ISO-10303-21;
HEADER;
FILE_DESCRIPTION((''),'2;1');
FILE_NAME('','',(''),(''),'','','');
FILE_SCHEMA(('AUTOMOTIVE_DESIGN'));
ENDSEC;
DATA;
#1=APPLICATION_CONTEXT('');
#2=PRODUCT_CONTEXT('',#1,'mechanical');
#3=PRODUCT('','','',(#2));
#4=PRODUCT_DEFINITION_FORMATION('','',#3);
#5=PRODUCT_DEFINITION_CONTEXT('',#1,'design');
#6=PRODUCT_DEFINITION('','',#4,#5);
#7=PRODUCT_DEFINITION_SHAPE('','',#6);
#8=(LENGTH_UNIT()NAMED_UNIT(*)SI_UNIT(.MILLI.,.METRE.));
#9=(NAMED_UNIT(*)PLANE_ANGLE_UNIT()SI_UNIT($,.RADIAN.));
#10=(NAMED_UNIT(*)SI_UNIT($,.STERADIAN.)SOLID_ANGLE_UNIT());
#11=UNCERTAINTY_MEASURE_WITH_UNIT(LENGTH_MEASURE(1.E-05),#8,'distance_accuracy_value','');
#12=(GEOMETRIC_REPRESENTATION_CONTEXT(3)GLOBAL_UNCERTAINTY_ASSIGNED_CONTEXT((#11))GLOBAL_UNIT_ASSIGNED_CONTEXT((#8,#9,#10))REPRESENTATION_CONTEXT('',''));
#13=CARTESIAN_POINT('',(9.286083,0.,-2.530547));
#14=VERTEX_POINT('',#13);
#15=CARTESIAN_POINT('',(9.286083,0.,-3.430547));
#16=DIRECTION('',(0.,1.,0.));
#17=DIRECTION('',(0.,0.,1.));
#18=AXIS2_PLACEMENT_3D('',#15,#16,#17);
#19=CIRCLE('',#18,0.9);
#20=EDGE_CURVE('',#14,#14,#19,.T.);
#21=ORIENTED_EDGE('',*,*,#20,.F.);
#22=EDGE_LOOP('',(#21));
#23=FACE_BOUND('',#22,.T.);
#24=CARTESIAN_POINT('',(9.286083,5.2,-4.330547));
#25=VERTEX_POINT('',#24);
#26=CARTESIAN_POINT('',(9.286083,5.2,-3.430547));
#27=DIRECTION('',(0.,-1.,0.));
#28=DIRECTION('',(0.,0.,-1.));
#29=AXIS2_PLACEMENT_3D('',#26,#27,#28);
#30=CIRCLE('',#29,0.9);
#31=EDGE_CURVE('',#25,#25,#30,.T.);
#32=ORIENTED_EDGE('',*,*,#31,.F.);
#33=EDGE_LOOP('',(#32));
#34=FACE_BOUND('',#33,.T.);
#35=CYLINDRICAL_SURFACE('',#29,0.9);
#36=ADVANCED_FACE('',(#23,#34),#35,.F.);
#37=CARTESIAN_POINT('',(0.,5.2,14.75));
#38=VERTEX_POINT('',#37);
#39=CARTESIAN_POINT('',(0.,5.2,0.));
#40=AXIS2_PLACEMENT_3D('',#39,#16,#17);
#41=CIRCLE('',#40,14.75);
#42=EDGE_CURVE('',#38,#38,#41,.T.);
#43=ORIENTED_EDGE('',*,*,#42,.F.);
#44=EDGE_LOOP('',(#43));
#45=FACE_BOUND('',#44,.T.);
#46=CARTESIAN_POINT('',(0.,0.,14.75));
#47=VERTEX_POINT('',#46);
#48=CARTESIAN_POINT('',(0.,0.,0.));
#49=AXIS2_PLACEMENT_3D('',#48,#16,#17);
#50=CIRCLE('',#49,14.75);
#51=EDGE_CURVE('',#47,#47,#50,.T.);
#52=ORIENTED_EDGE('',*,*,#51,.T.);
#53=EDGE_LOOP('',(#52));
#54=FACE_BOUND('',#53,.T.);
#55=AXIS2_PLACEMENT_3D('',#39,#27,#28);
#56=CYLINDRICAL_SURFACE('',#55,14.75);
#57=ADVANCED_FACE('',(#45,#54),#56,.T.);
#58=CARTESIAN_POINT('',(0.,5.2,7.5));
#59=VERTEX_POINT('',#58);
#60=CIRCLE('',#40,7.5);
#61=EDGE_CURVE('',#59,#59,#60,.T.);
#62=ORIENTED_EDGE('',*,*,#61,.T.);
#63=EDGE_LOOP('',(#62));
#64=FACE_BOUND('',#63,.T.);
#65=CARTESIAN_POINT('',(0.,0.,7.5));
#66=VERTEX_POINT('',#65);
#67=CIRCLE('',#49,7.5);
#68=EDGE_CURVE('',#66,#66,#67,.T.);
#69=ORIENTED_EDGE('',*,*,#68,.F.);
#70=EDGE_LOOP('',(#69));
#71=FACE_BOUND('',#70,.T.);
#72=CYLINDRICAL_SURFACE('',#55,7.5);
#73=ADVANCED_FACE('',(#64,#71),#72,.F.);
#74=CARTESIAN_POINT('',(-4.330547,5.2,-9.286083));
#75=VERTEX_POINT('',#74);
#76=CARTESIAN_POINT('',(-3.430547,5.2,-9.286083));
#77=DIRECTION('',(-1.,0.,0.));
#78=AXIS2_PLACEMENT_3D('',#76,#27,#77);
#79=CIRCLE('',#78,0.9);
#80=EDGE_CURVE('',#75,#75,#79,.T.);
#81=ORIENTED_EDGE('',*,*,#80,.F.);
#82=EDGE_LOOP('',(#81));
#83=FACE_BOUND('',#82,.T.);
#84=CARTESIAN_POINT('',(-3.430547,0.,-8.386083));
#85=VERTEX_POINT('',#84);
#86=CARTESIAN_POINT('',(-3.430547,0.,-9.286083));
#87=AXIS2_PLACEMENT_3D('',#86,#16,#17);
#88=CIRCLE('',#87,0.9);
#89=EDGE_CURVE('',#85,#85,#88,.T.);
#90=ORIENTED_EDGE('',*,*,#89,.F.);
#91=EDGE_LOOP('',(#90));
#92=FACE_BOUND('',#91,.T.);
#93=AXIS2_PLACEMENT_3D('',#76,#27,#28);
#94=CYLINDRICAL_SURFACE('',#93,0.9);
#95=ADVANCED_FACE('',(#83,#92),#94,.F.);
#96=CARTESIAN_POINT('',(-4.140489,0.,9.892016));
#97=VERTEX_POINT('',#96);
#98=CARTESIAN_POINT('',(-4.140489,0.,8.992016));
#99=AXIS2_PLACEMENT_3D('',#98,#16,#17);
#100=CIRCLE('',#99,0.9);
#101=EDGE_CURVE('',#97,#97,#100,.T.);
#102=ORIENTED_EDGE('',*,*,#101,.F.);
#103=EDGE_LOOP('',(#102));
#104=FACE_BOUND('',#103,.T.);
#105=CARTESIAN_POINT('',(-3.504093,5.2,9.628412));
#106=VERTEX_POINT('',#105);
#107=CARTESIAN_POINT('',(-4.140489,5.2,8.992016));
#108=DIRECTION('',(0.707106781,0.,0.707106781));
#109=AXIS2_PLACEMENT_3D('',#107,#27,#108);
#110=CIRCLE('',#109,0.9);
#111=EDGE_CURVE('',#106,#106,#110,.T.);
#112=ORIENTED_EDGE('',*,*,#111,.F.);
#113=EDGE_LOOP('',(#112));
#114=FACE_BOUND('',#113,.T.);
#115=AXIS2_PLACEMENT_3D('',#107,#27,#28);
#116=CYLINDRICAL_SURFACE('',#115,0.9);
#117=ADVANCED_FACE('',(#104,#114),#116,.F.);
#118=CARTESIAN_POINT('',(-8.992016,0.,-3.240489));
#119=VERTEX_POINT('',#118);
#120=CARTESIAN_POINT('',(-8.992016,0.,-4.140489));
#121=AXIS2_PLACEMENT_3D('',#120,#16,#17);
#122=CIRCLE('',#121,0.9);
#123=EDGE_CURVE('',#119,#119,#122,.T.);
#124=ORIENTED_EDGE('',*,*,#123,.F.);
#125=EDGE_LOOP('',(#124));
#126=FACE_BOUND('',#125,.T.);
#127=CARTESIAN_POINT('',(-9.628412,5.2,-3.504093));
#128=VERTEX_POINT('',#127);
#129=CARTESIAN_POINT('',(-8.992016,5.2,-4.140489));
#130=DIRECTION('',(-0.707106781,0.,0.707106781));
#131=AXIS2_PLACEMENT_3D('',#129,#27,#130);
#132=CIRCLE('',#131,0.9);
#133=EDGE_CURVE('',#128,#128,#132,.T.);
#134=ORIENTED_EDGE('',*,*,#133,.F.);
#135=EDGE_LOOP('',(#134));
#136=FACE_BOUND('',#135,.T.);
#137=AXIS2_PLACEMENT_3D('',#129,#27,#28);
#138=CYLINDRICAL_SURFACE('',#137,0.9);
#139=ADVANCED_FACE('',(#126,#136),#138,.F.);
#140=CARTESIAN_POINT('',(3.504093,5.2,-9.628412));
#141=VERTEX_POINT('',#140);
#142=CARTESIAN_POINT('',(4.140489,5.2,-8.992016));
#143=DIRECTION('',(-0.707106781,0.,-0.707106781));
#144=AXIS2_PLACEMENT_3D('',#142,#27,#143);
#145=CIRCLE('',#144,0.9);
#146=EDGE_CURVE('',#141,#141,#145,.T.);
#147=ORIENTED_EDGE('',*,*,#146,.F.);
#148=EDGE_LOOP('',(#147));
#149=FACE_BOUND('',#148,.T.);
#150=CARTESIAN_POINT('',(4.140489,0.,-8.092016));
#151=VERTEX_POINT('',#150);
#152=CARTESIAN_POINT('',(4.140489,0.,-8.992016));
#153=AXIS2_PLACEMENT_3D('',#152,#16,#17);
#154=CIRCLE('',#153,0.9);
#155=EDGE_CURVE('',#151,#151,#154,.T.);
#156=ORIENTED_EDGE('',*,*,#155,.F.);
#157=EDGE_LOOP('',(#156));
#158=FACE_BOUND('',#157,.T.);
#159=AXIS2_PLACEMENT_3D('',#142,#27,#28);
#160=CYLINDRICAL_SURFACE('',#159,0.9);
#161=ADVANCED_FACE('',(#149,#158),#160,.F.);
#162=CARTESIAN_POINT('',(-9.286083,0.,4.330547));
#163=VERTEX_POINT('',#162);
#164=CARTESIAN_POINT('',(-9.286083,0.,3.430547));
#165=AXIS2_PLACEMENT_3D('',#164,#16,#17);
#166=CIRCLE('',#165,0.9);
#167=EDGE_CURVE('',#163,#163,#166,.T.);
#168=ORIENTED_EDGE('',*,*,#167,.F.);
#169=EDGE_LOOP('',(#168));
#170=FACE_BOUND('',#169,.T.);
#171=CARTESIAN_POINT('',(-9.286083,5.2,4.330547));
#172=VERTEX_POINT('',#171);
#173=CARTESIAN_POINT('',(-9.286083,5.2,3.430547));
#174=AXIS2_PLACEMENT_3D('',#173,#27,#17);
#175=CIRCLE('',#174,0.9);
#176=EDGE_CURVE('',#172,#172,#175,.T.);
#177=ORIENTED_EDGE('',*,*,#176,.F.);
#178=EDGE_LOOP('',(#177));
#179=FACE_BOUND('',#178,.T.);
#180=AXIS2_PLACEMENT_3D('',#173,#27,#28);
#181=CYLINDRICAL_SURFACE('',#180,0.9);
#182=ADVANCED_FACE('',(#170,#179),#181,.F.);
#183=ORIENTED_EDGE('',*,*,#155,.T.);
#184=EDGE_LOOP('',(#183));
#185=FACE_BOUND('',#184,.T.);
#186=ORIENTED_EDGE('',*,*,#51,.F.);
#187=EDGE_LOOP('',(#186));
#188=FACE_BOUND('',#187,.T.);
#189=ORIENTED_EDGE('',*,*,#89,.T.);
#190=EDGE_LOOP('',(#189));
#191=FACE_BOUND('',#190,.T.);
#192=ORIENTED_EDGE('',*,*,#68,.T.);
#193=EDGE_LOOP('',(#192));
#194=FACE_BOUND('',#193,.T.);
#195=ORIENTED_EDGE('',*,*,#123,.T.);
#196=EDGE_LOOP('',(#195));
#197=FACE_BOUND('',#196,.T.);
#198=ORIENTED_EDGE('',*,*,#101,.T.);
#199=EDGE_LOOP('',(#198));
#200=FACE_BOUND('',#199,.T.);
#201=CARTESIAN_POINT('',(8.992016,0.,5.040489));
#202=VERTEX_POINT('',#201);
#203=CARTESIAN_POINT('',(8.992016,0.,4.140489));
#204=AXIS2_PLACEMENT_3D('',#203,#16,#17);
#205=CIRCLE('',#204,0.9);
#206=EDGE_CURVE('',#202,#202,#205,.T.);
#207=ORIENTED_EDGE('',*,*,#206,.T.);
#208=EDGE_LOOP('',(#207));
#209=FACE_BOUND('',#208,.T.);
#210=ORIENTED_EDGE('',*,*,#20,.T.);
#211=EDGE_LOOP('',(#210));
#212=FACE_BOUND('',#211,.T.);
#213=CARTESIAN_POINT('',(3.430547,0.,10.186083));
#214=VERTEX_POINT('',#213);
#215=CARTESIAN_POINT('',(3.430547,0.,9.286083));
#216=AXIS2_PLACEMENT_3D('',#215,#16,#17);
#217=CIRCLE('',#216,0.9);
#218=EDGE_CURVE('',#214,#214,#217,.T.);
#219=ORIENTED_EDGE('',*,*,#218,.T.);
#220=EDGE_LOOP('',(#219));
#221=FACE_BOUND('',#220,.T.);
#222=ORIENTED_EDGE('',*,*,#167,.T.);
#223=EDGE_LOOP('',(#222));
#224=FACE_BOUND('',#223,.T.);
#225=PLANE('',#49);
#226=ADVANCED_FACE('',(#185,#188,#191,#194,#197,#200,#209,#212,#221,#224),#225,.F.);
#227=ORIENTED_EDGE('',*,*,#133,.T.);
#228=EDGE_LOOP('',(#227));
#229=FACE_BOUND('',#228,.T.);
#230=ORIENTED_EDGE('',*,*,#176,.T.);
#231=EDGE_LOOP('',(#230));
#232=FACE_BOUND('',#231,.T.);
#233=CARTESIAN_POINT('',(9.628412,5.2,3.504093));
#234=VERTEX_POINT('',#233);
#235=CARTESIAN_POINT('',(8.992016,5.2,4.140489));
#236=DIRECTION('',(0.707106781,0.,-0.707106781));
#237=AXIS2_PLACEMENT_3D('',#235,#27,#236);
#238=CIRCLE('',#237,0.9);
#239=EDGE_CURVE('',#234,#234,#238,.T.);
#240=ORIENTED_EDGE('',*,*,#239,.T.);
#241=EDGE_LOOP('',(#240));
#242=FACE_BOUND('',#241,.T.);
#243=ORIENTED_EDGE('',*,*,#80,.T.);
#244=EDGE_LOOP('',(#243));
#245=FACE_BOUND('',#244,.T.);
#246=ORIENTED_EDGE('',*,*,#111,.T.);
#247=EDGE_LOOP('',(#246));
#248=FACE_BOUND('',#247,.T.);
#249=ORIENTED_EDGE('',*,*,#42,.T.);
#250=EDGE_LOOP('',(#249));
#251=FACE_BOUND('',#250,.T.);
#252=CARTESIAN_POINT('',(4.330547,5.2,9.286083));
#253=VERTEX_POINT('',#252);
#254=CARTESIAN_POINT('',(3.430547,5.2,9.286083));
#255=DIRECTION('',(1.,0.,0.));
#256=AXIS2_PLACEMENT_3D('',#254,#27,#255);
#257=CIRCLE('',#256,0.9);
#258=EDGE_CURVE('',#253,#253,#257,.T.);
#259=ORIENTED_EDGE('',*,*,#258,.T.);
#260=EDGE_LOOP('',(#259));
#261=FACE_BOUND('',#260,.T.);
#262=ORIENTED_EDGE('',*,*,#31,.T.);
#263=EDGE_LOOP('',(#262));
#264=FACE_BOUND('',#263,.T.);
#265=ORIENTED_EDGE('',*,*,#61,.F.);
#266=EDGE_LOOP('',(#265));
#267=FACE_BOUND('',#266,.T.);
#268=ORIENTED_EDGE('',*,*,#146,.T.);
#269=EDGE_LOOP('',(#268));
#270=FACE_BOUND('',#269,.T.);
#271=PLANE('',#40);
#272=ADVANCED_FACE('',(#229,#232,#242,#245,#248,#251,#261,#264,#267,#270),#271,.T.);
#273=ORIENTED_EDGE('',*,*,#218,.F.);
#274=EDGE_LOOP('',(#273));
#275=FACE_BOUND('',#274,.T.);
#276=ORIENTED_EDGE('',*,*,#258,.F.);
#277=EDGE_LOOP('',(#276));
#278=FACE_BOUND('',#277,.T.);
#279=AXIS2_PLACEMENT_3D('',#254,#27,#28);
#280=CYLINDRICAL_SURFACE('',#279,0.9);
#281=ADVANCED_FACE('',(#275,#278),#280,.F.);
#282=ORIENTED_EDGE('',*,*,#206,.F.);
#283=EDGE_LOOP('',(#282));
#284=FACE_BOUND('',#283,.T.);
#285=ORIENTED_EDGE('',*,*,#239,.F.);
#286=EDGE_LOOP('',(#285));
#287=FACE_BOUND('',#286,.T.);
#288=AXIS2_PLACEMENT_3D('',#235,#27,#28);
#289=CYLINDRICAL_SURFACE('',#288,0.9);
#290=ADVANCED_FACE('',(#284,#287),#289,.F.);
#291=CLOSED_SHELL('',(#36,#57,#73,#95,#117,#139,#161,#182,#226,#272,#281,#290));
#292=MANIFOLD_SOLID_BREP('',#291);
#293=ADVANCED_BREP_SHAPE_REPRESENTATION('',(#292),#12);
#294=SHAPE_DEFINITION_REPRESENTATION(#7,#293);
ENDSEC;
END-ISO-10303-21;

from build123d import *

# Parameters (mm, degrees)
SKETCH_1_R               = 14.75
SKETCH_1_R_2             = 7.5
EXTRUDE_1_DEPTH          = 5.2
SKETCH_2_R               = 0.9
CUT_EXTRUDE_1_DEPTH      = 25.266952837
PATTERN_CIRCULAR_1_COUNT = 8


with BuildPart() as part:
    # 草图1 → 凸台-拉伸1 (new body)
    with BuildSketch(Plane(origin=(0, 0, 0), x_dir=(1, 0, 0), z_dir=(0, 1, 0))):
        with Locations(Location((0, 0, 0), (0, 0, 270))):
            Circle(SKETCH_1_R)
        with Locations(Location((0, 0, 0), (0, 0, 270))):
            Circle(SKETCH_1_R_2, mode=Mode.SUBTRACT)
    extrude(amount=EXTRUDE_1_DEPTH)

    # 草图2 → 切除-拉伸1 (cut, through all)
    with BuildSketch(Plane.XZ.offset(7.2)):
        with Locations(Location((9.28608339, -3.430547373, 0), (0, 0, 270))):
            Circle(SKETCH_2_R)
    cut_extrude_1 = extrude(amount=-CUT_EXTRUDE_1_DEPTH, mode=Mode.SUBTRACT)

    # 阵列(圆周)1: 切除-拉伸1 ×8 about axis
    pattern_circular_1_axis = Axis((0, 0, 0), (0, 1, 0))
    for i in range(1, PATTERN_CIRCULAR_1_COUNT):
        add(cut_extrude_1.rotate(pattern_circular_1_axis, i * 360 / PATTERN_CIRCULAR_1_COUNT), mode=Mode.SUBTRACT)


solid = part.part
